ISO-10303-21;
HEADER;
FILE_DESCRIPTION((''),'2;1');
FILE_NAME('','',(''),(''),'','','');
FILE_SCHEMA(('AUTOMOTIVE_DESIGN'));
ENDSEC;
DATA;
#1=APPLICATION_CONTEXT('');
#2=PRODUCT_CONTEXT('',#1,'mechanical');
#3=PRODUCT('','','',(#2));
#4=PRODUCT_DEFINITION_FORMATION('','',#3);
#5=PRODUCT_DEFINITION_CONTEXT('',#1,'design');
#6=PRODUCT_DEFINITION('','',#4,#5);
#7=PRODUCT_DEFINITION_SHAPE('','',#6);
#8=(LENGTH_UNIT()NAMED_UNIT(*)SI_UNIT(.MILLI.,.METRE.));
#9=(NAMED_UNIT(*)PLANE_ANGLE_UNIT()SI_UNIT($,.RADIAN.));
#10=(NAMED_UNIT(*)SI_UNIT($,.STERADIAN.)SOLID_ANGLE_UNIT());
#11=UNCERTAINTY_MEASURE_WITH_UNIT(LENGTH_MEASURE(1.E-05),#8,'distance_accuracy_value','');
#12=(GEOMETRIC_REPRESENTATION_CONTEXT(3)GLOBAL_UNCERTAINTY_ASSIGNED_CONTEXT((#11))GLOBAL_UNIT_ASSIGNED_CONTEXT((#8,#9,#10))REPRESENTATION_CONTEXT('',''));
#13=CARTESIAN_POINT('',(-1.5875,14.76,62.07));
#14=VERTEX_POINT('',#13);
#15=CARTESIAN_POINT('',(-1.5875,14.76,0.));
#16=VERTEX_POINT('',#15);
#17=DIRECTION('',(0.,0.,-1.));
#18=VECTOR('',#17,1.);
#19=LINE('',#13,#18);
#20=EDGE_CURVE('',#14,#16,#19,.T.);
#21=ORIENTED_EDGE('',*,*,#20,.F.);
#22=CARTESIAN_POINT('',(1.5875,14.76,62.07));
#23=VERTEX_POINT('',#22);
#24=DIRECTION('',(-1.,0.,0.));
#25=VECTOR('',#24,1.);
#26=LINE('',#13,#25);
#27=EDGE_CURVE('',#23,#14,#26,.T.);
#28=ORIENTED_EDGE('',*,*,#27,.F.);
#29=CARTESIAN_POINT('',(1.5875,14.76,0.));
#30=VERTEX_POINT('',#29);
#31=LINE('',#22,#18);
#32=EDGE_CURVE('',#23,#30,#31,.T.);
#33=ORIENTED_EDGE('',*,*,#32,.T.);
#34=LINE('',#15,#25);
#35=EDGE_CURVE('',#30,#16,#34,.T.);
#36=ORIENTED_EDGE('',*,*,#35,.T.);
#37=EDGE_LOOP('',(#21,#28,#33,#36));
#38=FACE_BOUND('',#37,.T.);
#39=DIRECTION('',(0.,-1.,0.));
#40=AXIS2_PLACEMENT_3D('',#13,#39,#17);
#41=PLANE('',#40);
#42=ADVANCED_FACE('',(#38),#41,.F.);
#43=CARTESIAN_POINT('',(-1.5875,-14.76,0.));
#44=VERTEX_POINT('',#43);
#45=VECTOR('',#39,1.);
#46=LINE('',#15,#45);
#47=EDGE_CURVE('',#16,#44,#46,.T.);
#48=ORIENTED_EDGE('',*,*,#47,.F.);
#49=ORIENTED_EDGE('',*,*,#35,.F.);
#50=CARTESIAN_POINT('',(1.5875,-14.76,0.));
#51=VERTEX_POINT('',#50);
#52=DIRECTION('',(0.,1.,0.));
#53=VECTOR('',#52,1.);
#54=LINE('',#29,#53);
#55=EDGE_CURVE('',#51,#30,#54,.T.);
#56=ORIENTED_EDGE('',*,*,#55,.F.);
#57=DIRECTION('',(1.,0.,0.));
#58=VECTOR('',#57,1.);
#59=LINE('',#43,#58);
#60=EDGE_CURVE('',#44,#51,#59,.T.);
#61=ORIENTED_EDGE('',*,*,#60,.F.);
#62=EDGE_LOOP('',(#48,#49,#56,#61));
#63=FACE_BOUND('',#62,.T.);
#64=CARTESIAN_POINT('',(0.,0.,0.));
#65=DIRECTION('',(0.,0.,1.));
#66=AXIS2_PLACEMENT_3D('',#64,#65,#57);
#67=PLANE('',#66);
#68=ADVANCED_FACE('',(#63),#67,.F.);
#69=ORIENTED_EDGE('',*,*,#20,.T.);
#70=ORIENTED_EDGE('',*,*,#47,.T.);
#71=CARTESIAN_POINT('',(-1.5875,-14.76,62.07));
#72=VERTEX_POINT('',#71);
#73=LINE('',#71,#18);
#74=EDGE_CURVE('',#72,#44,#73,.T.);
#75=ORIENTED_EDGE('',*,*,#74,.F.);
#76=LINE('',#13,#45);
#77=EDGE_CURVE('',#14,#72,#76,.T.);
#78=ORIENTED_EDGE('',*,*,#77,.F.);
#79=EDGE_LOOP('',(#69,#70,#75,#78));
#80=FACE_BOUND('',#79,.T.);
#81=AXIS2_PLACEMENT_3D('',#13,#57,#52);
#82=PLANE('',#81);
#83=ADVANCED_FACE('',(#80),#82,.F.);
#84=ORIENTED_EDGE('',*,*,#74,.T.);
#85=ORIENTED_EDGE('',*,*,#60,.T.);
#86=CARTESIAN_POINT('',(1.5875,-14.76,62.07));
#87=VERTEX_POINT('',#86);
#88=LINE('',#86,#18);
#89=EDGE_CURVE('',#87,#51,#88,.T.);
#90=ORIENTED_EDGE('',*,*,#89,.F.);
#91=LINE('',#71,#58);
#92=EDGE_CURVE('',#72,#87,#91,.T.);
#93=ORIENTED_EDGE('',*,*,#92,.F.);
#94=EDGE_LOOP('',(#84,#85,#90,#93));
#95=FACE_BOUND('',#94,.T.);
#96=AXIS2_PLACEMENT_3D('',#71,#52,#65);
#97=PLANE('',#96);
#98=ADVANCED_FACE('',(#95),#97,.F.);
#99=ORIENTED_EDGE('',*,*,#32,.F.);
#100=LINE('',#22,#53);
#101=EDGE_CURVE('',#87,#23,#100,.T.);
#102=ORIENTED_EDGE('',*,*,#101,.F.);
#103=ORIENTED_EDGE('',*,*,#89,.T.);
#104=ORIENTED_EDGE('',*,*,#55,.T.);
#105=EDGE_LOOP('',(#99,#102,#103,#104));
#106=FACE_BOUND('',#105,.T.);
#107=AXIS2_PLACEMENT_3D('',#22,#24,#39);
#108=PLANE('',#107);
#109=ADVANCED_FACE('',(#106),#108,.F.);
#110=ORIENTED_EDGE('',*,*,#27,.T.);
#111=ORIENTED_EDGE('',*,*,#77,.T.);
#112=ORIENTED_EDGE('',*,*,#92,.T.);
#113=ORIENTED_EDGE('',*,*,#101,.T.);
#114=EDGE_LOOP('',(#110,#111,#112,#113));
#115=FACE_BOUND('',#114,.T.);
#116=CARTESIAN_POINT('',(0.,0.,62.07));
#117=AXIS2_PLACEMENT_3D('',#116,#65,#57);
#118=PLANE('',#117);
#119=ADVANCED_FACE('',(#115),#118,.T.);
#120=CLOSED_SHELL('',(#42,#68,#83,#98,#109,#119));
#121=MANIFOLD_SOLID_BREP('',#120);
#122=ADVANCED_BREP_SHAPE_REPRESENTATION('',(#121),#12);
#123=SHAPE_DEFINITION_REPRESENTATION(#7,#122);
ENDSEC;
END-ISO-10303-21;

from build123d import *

# Parameters (mm, degrees)
SKETCH1_W           = 3.175
SKETCH1_H           = 29.52
BOSS_EXTRUDE1_DEPTH = 62.07


with BuildPart() as part:
    # Sketch1 → Boss-Extrude1 (new body)
    with BuildSketch(Plane.XY):
        Rectangle(SKETCH1_W, SKETCH1_H)
    extrude(amount=BOSS_EXTRUDE1_DEPTH)


solid = part.part
